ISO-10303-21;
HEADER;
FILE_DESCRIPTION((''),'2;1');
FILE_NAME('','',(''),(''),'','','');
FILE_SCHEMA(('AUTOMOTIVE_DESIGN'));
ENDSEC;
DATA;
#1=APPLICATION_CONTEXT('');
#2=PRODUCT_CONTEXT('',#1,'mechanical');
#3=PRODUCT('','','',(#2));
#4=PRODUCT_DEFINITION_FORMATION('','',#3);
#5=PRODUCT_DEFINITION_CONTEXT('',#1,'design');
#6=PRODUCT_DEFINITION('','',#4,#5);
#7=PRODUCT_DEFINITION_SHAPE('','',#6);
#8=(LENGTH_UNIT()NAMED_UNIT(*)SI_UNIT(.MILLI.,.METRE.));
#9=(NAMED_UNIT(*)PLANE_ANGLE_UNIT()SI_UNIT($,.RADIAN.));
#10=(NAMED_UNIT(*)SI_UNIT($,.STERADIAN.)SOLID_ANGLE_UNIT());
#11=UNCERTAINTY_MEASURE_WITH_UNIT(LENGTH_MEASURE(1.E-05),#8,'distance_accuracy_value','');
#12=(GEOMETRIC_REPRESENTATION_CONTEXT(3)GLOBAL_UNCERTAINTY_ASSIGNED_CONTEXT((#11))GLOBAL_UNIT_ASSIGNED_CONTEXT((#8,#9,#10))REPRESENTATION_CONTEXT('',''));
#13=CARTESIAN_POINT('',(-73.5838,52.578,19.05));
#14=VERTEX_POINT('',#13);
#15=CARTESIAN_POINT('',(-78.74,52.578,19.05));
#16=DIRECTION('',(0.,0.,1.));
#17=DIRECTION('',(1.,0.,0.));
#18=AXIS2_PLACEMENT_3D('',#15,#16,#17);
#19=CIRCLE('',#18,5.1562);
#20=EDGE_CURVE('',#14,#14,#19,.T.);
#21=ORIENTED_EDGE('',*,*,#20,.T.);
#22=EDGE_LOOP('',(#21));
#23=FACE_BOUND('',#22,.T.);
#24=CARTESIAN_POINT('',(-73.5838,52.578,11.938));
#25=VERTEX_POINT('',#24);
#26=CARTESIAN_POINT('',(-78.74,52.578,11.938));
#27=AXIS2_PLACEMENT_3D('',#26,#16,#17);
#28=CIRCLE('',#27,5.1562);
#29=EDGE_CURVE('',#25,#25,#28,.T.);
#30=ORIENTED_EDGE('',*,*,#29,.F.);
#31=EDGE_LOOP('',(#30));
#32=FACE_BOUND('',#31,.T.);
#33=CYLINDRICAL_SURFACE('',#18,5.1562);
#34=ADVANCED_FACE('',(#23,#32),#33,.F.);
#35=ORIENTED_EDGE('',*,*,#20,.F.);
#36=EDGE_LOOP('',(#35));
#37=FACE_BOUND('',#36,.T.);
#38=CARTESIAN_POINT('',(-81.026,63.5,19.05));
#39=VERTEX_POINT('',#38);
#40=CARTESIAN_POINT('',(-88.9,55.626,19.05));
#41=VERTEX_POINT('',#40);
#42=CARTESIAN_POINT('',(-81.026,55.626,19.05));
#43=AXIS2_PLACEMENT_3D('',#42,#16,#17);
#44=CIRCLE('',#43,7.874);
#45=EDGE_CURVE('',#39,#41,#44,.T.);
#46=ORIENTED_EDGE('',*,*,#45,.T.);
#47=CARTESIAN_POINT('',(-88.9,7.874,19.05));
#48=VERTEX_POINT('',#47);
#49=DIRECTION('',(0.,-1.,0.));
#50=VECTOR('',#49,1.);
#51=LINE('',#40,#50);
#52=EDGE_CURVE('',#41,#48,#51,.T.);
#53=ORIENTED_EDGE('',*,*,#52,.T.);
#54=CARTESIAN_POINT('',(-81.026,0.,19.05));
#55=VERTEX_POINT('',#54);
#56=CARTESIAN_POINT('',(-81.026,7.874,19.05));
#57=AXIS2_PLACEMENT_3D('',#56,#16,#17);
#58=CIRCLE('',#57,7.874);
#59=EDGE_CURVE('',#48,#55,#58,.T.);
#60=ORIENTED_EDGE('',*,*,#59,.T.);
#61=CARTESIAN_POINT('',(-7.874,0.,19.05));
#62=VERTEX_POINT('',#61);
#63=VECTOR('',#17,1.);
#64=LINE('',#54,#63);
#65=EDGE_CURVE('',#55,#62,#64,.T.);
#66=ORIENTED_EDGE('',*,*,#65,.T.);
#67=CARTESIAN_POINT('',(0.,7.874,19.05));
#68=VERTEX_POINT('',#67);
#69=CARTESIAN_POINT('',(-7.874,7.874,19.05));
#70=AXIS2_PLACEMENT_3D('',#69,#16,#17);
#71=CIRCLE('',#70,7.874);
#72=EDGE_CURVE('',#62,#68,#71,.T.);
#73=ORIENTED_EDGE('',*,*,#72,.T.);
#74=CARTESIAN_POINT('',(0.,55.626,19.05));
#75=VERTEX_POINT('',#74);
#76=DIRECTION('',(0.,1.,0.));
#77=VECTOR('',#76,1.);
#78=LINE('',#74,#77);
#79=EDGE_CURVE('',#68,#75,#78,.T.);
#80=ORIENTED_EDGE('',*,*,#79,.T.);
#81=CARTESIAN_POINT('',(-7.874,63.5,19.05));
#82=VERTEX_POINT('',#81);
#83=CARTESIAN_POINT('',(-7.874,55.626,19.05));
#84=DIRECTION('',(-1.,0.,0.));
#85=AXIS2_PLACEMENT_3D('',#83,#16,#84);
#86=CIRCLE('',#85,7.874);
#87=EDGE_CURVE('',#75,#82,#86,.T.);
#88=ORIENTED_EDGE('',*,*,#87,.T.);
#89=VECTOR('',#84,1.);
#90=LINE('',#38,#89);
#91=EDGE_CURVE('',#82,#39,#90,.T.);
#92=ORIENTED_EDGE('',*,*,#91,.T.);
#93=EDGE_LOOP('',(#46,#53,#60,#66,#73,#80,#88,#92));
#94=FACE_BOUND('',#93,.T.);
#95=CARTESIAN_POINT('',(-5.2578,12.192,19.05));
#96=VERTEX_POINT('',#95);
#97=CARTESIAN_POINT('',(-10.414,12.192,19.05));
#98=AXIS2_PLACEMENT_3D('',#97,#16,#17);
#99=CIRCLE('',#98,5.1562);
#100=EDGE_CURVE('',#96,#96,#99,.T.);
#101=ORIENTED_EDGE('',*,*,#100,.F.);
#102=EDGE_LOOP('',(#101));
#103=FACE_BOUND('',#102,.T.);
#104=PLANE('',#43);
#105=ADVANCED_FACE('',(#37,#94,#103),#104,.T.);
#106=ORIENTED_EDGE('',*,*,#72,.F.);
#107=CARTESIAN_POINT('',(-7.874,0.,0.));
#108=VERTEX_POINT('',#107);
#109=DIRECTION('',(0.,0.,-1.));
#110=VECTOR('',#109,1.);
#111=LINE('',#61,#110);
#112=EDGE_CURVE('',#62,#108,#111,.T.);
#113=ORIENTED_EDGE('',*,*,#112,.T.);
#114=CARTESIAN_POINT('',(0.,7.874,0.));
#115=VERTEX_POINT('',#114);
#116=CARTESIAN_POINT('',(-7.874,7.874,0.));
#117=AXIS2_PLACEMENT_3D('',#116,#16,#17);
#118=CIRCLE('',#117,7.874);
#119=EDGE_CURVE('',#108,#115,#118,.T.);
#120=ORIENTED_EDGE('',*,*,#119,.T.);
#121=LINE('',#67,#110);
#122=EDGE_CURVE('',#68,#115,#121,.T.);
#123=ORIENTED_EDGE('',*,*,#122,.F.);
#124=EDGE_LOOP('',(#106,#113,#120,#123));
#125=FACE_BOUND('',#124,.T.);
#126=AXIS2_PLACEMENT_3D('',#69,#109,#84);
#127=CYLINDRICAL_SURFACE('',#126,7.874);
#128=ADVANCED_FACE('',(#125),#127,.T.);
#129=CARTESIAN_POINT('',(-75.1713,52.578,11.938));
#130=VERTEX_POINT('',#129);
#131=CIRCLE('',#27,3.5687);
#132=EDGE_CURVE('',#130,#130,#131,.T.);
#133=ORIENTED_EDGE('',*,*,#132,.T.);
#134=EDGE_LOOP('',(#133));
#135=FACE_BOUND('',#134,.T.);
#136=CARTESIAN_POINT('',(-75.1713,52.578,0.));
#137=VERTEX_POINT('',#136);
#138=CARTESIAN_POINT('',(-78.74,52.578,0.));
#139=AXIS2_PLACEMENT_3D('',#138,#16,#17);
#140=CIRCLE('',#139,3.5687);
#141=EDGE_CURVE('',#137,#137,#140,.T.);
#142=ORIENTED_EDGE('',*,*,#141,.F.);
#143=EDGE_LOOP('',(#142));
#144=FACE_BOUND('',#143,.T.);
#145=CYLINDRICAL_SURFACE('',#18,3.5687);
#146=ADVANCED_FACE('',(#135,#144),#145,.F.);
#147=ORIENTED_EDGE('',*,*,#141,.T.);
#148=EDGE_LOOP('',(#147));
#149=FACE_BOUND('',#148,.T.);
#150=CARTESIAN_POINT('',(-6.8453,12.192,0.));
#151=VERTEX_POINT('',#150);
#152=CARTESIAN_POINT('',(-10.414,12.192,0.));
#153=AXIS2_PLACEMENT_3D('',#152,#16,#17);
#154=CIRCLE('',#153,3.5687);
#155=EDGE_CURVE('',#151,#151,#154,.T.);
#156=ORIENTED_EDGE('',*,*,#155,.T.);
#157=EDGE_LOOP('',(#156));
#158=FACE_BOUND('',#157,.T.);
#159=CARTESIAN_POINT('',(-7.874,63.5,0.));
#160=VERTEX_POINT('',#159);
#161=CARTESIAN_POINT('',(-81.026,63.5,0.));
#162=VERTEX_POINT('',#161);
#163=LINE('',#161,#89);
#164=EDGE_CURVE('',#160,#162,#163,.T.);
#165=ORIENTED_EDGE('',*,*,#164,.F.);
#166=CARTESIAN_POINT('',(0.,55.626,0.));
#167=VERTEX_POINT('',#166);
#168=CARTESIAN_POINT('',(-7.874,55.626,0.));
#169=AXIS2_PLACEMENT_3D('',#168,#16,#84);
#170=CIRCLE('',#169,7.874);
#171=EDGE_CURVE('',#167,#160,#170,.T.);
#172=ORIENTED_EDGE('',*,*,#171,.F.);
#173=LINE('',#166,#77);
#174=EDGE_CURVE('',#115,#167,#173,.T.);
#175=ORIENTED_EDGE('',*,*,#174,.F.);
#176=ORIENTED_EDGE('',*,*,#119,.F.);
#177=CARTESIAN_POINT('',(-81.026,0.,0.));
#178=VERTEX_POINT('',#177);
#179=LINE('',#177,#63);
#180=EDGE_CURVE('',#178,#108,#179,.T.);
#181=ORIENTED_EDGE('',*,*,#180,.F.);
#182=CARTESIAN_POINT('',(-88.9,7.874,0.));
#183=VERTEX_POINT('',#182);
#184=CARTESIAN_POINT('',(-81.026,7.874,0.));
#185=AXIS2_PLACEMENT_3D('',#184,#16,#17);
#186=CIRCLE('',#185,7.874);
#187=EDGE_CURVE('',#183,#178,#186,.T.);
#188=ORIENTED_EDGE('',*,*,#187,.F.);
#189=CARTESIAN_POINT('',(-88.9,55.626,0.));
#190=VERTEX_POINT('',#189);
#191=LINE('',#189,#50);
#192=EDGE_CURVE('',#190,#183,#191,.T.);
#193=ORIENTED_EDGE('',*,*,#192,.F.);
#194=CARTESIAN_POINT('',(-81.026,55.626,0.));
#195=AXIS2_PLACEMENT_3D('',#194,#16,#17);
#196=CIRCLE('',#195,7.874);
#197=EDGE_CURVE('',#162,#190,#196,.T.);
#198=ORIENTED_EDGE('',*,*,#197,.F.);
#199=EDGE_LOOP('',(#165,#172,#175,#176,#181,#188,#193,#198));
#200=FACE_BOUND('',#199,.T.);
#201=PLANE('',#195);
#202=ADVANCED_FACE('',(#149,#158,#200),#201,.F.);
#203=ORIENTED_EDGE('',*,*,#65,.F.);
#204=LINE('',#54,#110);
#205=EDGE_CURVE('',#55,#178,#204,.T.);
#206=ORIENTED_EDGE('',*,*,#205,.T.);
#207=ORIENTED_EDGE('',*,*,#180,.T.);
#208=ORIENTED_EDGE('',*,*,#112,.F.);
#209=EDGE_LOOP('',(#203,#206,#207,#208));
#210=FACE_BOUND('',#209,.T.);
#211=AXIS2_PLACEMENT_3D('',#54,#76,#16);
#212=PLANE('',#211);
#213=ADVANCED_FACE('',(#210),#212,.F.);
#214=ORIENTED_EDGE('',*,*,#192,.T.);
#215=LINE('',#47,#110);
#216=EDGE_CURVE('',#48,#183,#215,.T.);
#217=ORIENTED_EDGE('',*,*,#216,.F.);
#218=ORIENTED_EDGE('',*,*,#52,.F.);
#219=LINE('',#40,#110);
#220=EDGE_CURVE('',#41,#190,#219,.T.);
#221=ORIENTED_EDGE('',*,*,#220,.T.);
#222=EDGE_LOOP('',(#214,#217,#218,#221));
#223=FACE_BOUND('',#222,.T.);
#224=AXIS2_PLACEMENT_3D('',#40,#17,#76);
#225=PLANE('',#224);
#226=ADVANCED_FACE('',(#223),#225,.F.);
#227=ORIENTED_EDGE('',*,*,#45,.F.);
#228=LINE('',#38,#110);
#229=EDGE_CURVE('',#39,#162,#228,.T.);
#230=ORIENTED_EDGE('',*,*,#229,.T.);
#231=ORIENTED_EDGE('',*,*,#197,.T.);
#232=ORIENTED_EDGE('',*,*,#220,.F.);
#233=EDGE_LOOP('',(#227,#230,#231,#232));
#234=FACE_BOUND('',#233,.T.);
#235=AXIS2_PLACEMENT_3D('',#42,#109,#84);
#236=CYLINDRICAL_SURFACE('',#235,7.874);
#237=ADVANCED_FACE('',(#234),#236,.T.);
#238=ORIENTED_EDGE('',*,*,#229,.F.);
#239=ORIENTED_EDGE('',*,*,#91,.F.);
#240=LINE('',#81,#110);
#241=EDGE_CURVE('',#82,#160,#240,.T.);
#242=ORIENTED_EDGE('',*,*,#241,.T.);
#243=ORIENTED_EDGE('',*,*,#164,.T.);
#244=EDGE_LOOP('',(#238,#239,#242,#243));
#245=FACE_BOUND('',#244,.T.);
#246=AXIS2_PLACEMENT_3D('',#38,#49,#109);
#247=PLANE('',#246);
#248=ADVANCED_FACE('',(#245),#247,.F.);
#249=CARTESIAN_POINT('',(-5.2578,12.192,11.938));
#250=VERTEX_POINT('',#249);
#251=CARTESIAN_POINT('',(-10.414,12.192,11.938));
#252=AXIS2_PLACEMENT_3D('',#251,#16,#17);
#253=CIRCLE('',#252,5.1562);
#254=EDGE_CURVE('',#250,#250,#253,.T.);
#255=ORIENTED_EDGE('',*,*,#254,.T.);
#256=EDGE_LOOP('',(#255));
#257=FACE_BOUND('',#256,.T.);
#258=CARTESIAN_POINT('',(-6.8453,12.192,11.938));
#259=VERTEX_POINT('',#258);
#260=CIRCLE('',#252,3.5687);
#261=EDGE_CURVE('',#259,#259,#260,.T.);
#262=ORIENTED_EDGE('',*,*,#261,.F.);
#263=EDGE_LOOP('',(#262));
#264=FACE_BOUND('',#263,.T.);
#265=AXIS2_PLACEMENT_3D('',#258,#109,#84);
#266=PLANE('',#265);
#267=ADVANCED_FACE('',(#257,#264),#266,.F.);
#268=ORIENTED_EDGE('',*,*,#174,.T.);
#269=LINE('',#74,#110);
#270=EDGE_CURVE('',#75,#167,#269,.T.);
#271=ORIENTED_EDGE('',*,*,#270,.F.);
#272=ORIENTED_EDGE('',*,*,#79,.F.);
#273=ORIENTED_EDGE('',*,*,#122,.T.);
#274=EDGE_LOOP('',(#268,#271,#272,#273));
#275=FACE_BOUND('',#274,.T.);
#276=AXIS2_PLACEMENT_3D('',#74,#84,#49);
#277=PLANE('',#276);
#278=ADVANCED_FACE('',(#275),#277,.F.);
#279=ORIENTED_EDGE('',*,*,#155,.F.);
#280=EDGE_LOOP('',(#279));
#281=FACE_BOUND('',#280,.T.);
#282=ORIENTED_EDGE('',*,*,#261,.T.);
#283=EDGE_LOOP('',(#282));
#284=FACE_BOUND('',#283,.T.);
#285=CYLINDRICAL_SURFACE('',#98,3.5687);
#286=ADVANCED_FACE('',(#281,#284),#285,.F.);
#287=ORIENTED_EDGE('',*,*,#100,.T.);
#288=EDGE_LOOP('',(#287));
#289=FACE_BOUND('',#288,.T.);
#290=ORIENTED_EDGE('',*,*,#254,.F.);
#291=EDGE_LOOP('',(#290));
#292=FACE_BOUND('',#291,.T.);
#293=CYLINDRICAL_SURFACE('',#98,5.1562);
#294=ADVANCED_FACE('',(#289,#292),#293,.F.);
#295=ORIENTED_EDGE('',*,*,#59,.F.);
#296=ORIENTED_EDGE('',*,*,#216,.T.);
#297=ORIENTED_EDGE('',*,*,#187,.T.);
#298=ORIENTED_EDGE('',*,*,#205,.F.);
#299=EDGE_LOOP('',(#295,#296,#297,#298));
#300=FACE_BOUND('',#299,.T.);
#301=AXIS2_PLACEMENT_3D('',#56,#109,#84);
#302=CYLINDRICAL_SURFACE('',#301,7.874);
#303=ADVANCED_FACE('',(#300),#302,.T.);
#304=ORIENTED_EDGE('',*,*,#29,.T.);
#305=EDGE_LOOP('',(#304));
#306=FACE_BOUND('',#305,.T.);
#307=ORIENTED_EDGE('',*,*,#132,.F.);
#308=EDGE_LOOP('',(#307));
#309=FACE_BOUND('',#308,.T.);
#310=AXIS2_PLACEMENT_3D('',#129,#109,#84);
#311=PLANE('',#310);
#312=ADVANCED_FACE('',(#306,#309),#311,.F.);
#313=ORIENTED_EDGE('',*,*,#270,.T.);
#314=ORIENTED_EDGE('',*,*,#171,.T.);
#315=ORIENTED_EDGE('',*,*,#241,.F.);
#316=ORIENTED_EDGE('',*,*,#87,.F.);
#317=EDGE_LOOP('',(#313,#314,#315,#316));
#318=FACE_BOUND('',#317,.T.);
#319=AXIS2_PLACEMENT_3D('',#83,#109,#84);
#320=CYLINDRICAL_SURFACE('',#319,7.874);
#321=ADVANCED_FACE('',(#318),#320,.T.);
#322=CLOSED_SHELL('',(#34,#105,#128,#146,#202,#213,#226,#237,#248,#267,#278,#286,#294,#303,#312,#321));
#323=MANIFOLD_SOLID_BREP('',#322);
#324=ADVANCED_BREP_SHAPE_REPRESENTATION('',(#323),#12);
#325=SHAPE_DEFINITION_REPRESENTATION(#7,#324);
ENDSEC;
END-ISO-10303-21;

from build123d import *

# Parameters (mm, degrees)
DIE_DEPTH                                      = 19.05
DRILL_CBORE_FOR_1_4_SHCS_SHALLOW_1_D           = 7.1374
DRILL_CBORE_FOR_1_4_SHCS_SHALLOW_1_CBORE_D     = 10.3124
DRILL_CBORE_FOR_1_4_SHCS_SHALLOW_1_CBORE_DEPTH = 7.112


with BuildPart() as part:
    # Sketch1 → Die (new body)
    with BuildSketch(Plane.XY):
        with BuildLine():
            Line((-81.026, 63.5), (-7.874, 63.5))
            ThreePointArc((-7.874, 63.5), (-2.306241205, 61.193758795), (0, 55.626))
            Line((0, 55.626), (0, 7.874))
            ThreePointArc((0, 7.874), (-2.306241205, 2.306241205), (-7.874, 0))
            Line((-7.874, 0), (-81.026, 0))
            ThreePointArc((-81.026, 0), (-86.593758795, 2.306241205), (-88.9, 7.874))
            Line((-88.9, 7.874), (-88.9, 55.626))
            ThreePointArc((-88.9, 55.626), (-86.593758795, 61.193758795), (-81.026, 63.5))
        make_face()
    extrude(amount=DIE_DEPTH)

    # Drill&CBore For 1/4 SHCS (Shallow)1 (through all)
    with Locations(Plane.XY.offset(19.05)):
        with Locations((-10.414, 12.192), (-78.74, 52.578)):
            CounterBoreHole(DRILL_CBORE_FOR_1_4_SHCS_SHALLOW_1_D / 2, DRILL_CBORE_FOR_1_4_SHCS_SHALLOW_1_CBORE_D / 2, DRILL_CBORE_FOR_1_4_SHCS_SHALLOW_1_CBORE_DEPTH)


solid = part.part
